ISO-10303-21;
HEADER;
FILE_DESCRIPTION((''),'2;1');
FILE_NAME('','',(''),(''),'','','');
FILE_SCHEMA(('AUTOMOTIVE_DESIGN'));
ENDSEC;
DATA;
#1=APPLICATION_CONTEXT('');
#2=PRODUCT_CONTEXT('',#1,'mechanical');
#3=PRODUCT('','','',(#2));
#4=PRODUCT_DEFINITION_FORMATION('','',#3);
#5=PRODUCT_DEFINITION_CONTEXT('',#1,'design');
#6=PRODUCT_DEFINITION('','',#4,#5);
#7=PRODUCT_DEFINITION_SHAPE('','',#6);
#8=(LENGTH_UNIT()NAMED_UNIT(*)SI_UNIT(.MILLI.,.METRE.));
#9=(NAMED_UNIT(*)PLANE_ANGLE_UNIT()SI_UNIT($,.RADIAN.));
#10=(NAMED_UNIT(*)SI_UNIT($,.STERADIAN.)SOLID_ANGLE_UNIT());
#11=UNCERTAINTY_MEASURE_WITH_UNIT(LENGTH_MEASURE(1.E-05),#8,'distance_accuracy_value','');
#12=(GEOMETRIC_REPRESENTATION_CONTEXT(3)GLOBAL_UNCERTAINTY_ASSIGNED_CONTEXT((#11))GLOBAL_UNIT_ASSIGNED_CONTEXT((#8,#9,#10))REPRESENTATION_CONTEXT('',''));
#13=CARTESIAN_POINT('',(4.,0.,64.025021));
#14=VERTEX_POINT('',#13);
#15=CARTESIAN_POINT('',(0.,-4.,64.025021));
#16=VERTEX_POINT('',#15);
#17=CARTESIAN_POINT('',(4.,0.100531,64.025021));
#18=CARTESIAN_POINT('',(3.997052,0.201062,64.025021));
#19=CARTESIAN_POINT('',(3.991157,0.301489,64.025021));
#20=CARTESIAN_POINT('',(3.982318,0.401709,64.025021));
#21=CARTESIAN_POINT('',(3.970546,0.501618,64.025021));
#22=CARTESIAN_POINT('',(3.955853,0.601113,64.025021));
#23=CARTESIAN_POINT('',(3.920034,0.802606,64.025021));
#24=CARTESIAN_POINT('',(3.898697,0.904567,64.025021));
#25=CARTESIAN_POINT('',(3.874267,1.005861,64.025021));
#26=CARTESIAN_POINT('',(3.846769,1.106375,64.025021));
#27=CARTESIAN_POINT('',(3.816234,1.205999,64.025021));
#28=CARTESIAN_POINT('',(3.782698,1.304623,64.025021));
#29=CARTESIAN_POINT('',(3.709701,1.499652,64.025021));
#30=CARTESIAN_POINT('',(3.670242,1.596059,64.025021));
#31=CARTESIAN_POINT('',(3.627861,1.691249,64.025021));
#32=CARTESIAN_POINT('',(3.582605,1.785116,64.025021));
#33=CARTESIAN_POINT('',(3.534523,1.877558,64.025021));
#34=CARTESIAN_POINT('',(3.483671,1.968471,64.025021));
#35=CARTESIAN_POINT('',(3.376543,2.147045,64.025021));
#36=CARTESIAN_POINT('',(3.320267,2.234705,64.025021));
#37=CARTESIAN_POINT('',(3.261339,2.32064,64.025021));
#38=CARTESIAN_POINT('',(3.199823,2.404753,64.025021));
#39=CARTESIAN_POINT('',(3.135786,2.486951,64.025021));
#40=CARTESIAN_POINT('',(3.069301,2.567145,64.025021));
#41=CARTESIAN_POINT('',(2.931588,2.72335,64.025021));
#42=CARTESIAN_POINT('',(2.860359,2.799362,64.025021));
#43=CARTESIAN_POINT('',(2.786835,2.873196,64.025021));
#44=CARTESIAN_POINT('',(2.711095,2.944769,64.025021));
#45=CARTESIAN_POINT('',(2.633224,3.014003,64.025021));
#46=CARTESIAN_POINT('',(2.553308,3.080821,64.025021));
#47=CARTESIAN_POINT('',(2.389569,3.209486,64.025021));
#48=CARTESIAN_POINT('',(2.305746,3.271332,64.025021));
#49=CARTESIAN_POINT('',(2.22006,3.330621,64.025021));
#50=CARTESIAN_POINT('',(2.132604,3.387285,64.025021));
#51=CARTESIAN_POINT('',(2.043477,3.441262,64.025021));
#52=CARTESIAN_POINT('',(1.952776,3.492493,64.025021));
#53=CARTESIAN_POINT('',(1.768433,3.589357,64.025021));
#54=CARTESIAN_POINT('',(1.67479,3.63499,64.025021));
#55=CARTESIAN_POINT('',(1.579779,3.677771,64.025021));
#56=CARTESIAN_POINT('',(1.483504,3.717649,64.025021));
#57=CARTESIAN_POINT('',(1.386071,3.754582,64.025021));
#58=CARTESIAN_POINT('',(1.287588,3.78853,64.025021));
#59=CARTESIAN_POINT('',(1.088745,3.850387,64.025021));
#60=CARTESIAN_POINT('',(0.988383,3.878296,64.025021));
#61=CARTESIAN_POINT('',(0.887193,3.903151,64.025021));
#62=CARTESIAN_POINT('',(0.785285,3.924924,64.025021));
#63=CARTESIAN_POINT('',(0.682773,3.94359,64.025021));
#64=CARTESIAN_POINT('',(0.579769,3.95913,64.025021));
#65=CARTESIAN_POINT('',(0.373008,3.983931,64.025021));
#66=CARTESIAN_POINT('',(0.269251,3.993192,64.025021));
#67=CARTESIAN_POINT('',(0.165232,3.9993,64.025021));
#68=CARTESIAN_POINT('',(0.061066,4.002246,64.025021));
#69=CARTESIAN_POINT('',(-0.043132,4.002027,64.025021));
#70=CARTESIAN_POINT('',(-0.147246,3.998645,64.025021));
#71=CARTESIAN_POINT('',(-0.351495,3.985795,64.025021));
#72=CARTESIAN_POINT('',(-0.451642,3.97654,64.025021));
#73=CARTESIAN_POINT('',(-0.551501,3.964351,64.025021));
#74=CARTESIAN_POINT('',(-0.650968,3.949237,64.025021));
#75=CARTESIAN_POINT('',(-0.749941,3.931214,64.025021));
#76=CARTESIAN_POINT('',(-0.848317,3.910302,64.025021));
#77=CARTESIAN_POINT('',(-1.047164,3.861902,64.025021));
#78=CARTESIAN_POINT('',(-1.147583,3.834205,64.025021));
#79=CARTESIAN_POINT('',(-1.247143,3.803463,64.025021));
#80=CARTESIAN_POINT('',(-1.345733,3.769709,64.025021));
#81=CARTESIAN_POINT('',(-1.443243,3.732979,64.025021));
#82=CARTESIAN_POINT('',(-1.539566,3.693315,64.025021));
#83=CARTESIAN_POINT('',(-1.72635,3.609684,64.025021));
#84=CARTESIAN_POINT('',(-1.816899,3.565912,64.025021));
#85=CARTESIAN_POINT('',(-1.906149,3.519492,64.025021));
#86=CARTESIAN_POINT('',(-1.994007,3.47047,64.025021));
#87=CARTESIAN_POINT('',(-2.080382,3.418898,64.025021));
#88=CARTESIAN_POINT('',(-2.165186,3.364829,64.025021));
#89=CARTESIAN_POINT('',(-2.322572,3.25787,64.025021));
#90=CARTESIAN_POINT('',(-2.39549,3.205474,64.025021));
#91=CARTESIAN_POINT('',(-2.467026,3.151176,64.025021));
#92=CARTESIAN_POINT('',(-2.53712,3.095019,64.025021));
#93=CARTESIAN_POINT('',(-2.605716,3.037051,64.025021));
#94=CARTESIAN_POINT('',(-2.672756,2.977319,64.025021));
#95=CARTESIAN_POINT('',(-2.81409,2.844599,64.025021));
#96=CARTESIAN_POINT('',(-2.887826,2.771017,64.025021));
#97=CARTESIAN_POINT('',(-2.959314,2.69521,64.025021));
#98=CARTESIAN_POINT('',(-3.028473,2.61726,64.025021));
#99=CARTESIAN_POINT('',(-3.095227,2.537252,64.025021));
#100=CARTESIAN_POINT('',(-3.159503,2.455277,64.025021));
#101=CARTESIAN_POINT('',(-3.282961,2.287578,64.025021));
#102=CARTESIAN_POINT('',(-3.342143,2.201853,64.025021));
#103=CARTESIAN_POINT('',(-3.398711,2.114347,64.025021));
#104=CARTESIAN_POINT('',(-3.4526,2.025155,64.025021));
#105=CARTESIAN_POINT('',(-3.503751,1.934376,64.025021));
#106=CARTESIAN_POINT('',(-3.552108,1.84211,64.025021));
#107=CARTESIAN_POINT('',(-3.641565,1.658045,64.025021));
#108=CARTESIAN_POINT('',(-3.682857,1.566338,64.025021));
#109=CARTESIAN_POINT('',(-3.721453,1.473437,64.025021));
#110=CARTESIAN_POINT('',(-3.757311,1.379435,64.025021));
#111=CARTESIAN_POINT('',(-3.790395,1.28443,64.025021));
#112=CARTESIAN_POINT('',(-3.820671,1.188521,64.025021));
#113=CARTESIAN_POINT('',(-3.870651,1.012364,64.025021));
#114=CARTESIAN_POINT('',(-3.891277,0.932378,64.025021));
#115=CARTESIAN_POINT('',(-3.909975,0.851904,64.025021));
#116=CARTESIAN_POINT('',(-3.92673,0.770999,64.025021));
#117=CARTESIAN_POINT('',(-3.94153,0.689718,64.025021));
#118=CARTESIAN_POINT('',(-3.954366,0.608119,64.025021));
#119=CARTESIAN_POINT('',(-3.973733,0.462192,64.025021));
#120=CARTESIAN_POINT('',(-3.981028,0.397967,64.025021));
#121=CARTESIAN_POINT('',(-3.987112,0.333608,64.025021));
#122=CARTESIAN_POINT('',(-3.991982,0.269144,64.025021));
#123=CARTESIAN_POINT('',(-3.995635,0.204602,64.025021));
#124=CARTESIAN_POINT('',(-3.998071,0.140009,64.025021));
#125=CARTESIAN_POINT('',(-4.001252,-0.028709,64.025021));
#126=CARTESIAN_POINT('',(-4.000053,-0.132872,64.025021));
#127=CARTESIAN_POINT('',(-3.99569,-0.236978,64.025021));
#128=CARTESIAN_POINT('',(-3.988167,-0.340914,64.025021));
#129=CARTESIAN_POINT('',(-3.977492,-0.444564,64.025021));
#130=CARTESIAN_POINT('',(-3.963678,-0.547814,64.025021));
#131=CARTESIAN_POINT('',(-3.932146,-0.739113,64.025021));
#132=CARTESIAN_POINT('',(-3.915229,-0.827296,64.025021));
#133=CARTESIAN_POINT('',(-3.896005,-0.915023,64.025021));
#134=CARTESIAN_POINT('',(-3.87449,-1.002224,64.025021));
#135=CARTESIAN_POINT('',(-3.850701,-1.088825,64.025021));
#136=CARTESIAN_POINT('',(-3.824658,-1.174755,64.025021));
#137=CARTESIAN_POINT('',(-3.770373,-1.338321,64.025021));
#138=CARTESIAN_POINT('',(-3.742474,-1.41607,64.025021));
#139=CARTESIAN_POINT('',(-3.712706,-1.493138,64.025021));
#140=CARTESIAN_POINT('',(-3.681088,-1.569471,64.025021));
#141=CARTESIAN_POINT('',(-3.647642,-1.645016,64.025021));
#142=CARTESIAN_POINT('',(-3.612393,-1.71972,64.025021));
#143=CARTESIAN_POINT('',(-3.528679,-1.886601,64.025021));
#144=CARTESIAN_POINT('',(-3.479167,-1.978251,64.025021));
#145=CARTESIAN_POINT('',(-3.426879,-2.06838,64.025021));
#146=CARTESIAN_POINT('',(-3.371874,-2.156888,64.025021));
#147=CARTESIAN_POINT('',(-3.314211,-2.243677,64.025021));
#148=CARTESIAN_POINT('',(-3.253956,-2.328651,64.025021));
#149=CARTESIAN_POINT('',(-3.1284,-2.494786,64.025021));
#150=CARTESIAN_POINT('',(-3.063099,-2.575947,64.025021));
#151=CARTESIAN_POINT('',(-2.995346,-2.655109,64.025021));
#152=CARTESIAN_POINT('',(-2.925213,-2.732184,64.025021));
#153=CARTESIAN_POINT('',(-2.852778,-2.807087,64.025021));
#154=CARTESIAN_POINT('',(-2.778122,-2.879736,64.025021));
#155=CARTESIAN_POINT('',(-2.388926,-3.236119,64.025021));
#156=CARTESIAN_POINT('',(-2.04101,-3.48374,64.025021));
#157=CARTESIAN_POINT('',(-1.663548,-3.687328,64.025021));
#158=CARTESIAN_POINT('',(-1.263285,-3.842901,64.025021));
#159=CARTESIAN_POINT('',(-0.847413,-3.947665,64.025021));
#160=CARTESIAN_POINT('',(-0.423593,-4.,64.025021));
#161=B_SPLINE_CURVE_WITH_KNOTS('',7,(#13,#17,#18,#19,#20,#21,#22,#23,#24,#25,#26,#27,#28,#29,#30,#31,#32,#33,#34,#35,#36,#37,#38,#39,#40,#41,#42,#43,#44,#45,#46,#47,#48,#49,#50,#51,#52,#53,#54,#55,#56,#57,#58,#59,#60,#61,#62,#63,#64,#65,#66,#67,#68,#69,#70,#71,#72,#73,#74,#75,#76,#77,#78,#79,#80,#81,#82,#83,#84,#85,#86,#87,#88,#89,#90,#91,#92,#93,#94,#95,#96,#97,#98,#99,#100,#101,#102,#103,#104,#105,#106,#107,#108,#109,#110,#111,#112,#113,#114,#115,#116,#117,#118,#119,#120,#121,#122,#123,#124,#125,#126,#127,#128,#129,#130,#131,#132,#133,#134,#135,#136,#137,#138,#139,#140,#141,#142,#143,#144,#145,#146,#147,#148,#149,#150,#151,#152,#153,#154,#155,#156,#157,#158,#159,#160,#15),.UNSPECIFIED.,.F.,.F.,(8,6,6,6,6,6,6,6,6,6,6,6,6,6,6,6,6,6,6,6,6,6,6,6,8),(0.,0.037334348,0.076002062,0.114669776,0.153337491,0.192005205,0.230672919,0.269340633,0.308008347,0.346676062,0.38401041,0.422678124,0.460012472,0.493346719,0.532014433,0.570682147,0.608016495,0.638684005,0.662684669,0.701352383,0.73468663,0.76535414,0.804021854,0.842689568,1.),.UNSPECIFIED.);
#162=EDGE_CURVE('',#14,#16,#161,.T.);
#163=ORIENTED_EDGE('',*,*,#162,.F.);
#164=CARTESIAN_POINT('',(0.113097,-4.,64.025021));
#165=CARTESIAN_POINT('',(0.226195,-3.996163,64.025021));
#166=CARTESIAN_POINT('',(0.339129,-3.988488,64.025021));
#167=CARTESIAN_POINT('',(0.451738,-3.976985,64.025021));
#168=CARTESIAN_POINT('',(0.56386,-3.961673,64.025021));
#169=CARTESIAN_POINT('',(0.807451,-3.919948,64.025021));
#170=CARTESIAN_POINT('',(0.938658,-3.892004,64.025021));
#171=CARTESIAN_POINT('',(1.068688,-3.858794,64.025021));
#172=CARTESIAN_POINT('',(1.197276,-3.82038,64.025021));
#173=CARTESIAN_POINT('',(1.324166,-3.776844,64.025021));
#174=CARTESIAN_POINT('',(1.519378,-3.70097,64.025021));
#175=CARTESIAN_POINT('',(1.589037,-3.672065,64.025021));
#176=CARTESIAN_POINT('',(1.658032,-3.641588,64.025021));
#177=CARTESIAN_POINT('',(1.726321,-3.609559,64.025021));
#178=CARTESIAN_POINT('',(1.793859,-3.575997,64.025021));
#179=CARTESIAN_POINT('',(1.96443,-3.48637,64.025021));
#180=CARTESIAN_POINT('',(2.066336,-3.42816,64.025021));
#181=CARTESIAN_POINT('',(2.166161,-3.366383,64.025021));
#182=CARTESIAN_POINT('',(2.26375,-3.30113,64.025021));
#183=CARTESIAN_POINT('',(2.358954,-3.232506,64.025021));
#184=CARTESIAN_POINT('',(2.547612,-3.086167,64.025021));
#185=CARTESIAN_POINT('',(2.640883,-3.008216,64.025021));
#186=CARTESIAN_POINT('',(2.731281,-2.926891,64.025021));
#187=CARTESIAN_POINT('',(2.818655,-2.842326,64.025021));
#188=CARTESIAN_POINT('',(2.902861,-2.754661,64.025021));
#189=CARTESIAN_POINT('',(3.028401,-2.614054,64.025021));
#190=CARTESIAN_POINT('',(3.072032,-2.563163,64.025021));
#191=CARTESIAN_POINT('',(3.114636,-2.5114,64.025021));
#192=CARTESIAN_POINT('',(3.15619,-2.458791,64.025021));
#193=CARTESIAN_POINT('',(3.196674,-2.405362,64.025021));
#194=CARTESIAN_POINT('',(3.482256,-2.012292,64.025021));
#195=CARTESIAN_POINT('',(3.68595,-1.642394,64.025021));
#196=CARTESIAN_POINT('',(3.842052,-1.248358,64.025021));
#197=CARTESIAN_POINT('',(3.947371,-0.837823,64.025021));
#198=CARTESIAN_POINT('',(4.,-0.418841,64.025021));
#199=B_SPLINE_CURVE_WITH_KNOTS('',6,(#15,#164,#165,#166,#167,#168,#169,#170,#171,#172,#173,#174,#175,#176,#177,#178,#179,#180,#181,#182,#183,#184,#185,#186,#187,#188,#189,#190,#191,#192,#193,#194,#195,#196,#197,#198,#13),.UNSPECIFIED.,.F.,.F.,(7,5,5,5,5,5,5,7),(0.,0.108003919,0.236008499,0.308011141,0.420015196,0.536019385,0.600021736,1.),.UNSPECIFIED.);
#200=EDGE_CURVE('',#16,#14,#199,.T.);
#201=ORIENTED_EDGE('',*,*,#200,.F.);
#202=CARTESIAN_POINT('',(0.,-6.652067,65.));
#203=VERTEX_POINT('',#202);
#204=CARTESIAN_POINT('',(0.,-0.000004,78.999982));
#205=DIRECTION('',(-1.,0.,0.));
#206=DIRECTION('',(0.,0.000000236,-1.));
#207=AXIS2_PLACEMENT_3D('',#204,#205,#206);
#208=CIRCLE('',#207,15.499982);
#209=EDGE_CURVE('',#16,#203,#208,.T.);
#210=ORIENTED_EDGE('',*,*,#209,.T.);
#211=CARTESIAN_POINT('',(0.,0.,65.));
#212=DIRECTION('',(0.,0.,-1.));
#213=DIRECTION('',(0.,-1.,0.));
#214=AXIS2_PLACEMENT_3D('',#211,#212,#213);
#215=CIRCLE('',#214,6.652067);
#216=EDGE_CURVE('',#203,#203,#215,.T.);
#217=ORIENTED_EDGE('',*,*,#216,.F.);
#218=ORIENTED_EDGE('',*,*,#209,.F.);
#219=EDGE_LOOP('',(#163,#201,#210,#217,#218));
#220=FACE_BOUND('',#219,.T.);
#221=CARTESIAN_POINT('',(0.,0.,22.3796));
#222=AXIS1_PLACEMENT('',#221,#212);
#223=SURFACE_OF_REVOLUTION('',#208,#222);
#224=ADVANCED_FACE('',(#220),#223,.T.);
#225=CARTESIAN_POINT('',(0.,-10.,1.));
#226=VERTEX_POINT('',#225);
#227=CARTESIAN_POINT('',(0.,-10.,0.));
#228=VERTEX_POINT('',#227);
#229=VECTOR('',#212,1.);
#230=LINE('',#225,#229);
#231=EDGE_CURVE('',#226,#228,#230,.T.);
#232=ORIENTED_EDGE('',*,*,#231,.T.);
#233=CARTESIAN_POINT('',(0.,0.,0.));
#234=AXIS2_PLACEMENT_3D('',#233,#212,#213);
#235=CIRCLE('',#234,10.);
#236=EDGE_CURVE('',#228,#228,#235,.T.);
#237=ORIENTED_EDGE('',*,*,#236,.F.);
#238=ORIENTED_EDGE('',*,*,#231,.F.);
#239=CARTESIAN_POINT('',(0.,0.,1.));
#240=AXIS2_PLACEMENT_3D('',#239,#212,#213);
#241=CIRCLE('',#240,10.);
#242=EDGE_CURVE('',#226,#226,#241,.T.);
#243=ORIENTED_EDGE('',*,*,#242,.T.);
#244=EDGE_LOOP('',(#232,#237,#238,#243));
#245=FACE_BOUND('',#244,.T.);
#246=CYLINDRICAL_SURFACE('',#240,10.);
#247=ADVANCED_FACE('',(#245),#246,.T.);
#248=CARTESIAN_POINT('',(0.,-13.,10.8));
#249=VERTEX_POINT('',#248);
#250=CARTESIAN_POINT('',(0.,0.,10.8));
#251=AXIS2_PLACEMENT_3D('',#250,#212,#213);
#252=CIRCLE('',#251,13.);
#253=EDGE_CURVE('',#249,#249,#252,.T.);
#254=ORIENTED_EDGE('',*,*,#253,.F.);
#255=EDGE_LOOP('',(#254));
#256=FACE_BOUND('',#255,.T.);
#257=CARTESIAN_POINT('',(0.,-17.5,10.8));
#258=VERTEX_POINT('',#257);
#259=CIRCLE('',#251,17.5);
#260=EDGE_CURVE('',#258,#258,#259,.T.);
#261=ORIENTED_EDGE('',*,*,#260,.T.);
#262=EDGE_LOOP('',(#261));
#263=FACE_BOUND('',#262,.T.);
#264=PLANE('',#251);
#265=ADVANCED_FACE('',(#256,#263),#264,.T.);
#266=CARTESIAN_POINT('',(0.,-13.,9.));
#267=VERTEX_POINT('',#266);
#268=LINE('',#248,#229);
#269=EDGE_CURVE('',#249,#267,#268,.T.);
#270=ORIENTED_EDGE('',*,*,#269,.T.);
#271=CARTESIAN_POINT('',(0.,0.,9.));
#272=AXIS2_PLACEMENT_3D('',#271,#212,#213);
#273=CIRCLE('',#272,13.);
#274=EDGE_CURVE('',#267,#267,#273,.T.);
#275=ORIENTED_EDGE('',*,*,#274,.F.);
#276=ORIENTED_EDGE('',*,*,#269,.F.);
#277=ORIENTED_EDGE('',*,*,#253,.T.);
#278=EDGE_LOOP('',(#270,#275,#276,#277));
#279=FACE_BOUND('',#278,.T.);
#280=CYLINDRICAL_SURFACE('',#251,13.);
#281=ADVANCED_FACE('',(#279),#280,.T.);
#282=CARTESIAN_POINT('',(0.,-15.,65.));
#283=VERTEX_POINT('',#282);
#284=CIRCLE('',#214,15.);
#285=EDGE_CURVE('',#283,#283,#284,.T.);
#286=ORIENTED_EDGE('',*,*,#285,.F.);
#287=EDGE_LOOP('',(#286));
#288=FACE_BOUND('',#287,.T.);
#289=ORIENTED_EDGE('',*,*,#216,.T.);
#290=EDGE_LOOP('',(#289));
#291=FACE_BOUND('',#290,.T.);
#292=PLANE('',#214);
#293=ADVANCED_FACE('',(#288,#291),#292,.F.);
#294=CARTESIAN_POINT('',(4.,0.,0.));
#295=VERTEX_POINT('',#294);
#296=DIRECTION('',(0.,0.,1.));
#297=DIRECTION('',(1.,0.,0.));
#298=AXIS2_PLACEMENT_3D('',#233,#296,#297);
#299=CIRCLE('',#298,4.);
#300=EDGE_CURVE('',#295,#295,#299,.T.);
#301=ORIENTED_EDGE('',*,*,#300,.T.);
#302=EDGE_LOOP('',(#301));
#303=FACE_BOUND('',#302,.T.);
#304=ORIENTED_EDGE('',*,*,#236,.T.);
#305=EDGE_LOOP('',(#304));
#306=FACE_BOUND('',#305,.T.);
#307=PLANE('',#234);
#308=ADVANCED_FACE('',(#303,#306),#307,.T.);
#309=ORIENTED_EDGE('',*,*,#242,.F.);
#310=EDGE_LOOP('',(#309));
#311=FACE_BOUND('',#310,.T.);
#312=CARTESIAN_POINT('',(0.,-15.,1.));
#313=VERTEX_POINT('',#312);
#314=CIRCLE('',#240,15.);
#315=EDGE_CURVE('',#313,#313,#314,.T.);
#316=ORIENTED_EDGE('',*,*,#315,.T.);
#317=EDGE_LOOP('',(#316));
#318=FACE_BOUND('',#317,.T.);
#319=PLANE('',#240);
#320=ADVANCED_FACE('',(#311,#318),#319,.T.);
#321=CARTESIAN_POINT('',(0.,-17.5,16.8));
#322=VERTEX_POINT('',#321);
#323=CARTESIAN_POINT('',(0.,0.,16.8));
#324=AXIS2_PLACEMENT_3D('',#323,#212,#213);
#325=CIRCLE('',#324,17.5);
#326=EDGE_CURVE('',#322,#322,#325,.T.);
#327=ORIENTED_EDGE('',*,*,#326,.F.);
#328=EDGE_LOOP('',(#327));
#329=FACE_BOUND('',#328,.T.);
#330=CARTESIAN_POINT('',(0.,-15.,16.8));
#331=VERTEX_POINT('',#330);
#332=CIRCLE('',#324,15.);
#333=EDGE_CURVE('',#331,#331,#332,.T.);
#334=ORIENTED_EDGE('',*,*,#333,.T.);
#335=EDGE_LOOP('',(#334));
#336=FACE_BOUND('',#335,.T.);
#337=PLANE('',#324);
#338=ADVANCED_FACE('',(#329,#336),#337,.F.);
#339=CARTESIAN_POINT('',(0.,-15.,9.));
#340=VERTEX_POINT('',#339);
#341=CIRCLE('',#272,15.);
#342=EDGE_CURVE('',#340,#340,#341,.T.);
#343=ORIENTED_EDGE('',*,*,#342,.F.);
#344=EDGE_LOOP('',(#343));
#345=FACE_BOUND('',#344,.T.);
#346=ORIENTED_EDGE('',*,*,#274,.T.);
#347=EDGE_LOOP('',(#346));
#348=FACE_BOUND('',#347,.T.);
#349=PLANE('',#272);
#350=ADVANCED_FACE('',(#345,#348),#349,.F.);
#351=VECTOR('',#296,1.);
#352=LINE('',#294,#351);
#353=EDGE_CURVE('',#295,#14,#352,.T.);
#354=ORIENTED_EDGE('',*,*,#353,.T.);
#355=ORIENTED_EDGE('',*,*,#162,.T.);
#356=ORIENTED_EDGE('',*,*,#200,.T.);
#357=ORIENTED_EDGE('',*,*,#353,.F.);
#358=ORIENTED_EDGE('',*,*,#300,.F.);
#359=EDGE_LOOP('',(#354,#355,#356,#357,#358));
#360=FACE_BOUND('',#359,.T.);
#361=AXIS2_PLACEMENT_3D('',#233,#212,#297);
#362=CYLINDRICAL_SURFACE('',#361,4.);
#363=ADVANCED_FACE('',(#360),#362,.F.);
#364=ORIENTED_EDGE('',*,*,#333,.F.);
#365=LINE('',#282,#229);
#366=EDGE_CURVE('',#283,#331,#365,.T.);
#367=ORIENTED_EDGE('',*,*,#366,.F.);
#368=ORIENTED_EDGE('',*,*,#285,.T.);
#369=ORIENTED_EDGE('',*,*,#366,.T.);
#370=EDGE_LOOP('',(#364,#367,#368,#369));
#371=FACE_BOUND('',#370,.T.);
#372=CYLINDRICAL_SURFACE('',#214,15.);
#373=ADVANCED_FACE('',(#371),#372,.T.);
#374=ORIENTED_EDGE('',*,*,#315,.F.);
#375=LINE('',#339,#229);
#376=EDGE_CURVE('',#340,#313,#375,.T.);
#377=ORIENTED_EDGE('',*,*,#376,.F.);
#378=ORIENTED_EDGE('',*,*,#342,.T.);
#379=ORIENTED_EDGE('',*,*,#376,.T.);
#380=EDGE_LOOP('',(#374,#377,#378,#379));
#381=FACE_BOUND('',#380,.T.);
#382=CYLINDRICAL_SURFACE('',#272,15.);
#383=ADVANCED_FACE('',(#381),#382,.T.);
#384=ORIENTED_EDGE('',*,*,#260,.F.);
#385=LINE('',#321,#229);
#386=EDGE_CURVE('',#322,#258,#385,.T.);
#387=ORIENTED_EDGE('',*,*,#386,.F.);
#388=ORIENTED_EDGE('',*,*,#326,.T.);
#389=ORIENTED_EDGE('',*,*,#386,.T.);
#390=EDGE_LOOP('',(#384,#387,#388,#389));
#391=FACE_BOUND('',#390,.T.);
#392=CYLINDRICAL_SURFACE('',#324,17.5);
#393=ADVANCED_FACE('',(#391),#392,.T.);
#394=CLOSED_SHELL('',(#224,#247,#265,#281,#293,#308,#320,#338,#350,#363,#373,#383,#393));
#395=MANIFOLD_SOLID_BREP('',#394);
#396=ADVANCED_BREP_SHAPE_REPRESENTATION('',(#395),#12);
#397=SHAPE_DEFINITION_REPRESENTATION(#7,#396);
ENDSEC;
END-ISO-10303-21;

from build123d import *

# Parameters (mm, degrees)
F2_R     = 4
F3_DEPTH = 70


with BuildPart() as f1:
    # F0 (on Right) → F1 (revolve)
    with BuildSketch(Plane.YZ):
        with BuildLine():
            Line((-10, 0), (0, 0))
            Line((0, 0), (0, 63.5))
            ThreePointArc((0, 63.5), (-3.409545, 63.879649), (-6.652067, 65))
            Line((-6.652067, 65), (-15, 65))
            Line((-15, 65), (-15, 16.8))
            Line((-15, 16.8), (-17.5, 16.8))
            Line((-17.5, 16.8), (-17.5, 10.8))
            Line((-17.5, 10.8), (-13, 10.8))
            Line((-13, 10.8), (-13, 9))
            Line((-13, 9), (-15, 9))
            Line((-15, 9), (-15, 1))
            Line((-15, 1), (-10, 1))
            Line((-10, 1), (-10, 0))
        make_face()
    revolve(axis=Axis((0, 0, 22.3796), (0, 0, -1)))

    # F2 (on Top) → F3 (cut)
    with BuildSketch(Plane.XY):
        Circle(F2_R)
    extrude(amount=F3_DEPTH, mode=Mode.SUBTRACT)


solid = f1.part
